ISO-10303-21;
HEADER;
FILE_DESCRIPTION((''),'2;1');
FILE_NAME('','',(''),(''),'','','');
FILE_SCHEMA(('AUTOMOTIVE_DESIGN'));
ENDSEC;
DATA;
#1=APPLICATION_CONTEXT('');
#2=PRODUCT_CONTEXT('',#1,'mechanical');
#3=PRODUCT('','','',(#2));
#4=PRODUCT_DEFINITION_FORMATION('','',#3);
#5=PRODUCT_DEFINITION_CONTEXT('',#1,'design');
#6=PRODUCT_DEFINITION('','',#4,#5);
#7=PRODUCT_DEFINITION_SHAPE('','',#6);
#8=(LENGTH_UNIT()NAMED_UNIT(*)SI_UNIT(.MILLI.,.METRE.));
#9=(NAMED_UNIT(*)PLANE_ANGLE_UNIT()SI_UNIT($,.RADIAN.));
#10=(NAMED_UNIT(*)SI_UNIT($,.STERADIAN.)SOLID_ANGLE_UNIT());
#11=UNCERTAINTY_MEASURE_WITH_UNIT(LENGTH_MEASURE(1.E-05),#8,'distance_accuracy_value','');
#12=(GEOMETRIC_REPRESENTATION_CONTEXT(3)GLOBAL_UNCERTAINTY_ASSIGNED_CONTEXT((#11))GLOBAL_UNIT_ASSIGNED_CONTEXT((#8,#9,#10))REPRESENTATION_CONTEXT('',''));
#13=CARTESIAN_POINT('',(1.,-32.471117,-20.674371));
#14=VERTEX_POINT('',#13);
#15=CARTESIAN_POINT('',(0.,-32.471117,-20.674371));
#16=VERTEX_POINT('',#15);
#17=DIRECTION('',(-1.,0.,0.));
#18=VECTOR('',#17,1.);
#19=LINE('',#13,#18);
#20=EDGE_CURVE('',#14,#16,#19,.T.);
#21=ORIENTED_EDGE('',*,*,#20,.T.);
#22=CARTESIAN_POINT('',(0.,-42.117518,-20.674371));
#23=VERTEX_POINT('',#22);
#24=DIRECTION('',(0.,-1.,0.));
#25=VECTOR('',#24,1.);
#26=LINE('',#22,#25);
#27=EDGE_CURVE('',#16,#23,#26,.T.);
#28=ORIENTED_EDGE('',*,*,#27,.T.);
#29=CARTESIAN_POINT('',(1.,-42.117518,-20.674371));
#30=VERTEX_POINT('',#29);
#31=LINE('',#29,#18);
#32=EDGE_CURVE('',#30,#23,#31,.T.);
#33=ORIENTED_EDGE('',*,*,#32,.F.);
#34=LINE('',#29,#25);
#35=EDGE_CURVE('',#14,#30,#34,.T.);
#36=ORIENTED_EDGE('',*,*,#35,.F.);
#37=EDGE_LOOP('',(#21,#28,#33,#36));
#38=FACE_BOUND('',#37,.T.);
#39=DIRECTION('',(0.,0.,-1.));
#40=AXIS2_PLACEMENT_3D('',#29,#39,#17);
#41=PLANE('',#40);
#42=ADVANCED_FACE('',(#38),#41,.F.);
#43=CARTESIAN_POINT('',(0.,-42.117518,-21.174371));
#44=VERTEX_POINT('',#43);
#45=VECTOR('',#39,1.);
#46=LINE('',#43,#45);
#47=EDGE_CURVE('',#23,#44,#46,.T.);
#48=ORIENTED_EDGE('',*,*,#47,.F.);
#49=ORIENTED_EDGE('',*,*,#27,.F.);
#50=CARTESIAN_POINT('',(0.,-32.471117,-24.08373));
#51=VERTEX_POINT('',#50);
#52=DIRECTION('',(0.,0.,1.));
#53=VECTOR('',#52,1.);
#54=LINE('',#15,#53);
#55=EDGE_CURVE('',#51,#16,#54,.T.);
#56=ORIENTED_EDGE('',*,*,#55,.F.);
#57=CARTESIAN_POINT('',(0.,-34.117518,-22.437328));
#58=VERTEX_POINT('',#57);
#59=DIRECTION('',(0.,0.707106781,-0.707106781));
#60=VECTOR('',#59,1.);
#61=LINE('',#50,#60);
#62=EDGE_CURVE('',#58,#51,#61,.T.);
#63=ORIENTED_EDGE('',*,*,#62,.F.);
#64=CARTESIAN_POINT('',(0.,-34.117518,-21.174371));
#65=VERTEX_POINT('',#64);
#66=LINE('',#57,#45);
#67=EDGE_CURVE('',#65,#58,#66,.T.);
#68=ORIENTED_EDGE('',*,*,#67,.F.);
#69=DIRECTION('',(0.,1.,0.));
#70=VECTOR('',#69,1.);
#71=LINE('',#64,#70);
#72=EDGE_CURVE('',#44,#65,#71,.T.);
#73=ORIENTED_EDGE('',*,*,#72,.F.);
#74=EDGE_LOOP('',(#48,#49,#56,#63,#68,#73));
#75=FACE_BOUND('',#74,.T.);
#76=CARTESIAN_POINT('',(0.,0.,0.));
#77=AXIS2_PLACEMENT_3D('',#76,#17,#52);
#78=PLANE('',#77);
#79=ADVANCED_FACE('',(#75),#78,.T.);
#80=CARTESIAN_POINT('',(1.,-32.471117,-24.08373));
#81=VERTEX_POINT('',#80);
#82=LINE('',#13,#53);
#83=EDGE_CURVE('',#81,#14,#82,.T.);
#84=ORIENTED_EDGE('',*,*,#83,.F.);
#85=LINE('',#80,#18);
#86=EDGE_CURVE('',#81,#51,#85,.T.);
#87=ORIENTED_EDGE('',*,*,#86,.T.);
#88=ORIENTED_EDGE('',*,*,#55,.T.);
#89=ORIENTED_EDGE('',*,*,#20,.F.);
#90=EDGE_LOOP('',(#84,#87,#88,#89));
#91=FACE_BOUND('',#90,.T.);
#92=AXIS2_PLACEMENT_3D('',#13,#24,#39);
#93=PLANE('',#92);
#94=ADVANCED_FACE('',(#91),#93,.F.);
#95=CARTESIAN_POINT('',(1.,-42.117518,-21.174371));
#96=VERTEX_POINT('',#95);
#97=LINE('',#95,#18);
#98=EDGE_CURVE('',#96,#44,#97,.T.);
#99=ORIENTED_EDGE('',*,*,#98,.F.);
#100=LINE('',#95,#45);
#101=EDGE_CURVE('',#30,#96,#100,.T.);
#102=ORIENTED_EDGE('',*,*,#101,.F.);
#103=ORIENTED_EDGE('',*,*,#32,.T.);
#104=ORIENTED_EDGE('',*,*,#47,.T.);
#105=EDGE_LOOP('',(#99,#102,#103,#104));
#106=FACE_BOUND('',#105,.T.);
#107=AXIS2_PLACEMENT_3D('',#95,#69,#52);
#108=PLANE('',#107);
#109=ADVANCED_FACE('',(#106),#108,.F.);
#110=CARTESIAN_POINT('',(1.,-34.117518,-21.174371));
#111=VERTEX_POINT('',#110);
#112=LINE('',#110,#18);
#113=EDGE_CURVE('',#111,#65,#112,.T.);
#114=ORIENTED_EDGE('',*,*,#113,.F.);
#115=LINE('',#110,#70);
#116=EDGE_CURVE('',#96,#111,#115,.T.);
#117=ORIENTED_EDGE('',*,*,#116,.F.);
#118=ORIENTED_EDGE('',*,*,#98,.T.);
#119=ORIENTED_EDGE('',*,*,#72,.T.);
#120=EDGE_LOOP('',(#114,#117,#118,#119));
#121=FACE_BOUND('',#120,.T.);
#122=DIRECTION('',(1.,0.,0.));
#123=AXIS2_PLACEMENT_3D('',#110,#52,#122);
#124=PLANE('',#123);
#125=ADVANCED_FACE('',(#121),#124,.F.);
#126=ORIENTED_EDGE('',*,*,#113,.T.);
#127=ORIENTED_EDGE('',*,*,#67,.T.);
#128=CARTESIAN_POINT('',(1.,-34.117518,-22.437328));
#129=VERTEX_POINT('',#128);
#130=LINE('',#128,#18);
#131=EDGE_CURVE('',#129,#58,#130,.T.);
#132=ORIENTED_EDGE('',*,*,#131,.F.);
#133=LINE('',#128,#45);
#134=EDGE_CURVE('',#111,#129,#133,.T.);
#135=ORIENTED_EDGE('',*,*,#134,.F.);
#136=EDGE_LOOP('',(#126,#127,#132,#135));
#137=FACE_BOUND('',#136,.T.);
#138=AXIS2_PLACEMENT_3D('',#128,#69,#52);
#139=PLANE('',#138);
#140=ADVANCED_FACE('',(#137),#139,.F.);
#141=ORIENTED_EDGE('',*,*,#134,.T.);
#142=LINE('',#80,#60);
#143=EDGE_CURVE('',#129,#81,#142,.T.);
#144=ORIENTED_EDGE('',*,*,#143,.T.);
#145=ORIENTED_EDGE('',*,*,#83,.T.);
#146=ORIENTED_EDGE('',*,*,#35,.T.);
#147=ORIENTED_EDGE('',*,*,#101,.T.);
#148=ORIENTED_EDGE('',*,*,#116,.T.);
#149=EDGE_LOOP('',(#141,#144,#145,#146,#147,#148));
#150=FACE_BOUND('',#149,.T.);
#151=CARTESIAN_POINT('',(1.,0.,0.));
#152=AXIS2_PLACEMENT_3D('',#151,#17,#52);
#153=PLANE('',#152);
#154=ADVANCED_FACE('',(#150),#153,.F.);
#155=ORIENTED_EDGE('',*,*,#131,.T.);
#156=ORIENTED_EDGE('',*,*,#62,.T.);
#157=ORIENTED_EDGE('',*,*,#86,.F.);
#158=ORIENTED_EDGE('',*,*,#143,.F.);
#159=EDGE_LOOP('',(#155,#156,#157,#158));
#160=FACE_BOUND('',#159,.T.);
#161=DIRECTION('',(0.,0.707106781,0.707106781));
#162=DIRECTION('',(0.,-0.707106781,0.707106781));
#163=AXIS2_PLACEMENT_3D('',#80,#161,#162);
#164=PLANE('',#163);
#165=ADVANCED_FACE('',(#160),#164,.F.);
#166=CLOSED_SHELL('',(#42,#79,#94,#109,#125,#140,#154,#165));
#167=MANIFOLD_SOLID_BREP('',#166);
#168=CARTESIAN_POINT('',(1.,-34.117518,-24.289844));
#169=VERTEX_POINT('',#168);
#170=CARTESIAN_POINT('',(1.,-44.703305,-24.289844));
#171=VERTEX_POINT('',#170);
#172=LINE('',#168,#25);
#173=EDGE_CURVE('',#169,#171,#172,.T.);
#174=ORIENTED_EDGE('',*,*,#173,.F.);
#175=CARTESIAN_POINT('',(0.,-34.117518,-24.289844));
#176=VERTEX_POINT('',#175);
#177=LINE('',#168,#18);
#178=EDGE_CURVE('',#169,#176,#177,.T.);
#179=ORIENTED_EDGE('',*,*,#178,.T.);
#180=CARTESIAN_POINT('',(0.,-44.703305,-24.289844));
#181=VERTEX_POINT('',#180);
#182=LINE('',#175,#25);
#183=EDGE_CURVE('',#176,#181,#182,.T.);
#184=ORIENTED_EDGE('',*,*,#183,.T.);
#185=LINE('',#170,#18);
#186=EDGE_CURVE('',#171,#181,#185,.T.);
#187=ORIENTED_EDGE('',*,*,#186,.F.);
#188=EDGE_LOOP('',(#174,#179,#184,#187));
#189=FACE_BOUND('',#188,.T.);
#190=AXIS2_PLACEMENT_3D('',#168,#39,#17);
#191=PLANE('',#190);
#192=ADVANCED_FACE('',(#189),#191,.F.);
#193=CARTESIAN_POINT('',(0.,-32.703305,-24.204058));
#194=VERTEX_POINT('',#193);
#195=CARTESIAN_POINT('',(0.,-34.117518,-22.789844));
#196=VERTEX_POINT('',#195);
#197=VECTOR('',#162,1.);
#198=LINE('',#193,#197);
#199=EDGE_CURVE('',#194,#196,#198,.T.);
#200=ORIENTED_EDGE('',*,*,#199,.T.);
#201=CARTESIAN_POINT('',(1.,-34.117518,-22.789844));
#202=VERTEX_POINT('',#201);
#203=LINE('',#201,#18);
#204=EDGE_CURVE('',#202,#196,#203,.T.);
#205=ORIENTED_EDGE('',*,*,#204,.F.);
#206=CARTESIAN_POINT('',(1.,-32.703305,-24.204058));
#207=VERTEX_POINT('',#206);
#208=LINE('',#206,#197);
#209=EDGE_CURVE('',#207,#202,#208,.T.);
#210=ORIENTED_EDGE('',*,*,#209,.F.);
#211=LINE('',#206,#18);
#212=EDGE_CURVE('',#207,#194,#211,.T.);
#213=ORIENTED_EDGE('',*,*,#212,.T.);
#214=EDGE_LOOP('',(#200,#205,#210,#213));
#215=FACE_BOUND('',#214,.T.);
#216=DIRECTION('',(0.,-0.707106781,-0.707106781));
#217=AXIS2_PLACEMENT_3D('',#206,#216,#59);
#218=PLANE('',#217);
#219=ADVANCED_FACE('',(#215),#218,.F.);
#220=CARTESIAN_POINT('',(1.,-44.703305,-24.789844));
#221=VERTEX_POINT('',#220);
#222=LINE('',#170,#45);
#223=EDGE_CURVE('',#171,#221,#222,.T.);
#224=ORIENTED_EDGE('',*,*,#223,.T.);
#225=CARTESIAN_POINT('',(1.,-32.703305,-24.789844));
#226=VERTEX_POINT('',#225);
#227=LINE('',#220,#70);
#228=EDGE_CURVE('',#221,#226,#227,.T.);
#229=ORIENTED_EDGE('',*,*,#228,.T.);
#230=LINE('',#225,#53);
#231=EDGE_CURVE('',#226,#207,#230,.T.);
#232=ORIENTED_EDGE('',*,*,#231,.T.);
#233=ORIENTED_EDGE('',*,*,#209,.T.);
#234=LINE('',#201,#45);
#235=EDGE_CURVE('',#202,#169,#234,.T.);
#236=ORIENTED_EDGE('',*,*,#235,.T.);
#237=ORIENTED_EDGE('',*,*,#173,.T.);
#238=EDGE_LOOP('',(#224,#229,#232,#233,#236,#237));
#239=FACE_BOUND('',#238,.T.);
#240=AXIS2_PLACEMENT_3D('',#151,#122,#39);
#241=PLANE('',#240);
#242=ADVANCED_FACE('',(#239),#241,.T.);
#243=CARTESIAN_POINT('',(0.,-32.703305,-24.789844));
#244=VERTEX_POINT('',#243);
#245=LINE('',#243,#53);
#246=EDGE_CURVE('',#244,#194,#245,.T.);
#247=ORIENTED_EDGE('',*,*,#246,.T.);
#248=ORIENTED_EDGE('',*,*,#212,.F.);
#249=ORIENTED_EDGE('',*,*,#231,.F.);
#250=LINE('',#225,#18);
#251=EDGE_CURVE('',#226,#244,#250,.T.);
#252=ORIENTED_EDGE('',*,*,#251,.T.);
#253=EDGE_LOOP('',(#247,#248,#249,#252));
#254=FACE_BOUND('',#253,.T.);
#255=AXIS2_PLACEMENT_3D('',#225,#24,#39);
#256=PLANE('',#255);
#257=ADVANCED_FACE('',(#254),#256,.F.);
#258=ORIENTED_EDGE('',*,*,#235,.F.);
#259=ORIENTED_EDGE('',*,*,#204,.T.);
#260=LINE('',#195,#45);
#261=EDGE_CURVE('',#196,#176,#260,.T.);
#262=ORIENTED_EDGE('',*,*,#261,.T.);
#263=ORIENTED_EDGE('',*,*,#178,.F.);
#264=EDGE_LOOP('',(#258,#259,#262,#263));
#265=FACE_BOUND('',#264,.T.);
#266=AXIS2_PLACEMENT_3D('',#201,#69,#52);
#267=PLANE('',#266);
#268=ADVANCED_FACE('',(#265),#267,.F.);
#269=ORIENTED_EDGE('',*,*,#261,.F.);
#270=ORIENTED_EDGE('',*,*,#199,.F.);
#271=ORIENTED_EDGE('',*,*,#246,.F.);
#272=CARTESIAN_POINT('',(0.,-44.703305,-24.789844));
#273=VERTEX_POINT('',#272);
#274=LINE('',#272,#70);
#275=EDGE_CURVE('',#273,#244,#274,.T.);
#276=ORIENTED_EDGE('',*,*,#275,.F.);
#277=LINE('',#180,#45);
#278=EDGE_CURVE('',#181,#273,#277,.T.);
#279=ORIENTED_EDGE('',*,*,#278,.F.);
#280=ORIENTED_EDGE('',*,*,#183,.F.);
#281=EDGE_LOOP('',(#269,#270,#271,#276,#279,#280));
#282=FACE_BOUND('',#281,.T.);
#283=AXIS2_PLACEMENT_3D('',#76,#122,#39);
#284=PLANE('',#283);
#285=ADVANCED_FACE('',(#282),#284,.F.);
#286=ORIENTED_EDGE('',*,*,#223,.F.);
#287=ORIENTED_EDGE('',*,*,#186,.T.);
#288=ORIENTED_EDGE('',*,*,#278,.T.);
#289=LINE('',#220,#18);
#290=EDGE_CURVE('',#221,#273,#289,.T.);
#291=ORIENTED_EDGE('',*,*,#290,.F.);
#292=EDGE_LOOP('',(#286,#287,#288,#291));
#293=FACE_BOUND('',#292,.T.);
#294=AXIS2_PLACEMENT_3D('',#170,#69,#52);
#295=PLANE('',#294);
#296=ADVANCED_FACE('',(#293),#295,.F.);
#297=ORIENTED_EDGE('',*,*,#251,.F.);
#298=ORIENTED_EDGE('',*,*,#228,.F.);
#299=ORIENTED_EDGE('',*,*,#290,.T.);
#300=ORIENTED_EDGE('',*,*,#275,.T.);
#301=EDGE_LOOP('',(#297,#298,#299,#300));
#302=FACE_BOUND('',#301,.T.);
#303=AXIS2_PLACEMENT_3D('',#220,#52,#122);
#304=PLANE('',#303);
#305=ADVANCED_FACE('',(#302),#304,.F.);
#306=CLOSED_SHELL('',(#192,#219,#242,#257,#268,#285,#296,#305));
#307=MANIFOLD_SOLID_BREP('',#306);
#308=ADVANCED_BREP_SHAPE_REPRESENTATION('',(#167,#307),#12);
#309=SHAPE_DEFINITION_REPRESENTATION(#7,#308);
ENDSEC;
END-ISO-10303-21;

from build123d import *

# Parameters (mm, degrees)
BOSS_EXTRUDE1_DEPTH   = 1
BOSS_EXTRUDE1_2_DEPTH = 1


with BuildPart() as part:
    # Sketch2 → Boss-Extrude1 (new body)
    with BuildSketch(Plane(origin=(0, 0, 0), x_dir=(0, 0, -1), z_dir=(1, 0, 0))):
        Polygon((24.20405768, -32.703304917), (22.789844117, -34.117518479), (24.289844117, -34.117518479), (24.289844117, -44.703304917), (24.789844117, -44.703304917), (24.789844117, -32.703304917), align=None)
    extrude(amount=BOSS_EXTRUDE1_DEPTH)


with BuildPart() as body_2:
    # Sketch2 → Boss-Extrude1 2 (new body)
    with BuildSketch(Plane(origin=(0, 0, 0), x_dir=(0, 0, -1), z_dir=(1, 0, 0))):
        Polygon((24.083729902, -32.471116669), (22.437328092, -34.117518479), (21.174371168, -34.117518479), (21.174371168, -42.117518479), (20.674371168, -42.117518479), (20.674371168, -32.471116669), align=None)
    extrude(amount=BOSS_EXTRUDE1_2_DEPTH)


solid = Compound([part.part, body_2.part])
